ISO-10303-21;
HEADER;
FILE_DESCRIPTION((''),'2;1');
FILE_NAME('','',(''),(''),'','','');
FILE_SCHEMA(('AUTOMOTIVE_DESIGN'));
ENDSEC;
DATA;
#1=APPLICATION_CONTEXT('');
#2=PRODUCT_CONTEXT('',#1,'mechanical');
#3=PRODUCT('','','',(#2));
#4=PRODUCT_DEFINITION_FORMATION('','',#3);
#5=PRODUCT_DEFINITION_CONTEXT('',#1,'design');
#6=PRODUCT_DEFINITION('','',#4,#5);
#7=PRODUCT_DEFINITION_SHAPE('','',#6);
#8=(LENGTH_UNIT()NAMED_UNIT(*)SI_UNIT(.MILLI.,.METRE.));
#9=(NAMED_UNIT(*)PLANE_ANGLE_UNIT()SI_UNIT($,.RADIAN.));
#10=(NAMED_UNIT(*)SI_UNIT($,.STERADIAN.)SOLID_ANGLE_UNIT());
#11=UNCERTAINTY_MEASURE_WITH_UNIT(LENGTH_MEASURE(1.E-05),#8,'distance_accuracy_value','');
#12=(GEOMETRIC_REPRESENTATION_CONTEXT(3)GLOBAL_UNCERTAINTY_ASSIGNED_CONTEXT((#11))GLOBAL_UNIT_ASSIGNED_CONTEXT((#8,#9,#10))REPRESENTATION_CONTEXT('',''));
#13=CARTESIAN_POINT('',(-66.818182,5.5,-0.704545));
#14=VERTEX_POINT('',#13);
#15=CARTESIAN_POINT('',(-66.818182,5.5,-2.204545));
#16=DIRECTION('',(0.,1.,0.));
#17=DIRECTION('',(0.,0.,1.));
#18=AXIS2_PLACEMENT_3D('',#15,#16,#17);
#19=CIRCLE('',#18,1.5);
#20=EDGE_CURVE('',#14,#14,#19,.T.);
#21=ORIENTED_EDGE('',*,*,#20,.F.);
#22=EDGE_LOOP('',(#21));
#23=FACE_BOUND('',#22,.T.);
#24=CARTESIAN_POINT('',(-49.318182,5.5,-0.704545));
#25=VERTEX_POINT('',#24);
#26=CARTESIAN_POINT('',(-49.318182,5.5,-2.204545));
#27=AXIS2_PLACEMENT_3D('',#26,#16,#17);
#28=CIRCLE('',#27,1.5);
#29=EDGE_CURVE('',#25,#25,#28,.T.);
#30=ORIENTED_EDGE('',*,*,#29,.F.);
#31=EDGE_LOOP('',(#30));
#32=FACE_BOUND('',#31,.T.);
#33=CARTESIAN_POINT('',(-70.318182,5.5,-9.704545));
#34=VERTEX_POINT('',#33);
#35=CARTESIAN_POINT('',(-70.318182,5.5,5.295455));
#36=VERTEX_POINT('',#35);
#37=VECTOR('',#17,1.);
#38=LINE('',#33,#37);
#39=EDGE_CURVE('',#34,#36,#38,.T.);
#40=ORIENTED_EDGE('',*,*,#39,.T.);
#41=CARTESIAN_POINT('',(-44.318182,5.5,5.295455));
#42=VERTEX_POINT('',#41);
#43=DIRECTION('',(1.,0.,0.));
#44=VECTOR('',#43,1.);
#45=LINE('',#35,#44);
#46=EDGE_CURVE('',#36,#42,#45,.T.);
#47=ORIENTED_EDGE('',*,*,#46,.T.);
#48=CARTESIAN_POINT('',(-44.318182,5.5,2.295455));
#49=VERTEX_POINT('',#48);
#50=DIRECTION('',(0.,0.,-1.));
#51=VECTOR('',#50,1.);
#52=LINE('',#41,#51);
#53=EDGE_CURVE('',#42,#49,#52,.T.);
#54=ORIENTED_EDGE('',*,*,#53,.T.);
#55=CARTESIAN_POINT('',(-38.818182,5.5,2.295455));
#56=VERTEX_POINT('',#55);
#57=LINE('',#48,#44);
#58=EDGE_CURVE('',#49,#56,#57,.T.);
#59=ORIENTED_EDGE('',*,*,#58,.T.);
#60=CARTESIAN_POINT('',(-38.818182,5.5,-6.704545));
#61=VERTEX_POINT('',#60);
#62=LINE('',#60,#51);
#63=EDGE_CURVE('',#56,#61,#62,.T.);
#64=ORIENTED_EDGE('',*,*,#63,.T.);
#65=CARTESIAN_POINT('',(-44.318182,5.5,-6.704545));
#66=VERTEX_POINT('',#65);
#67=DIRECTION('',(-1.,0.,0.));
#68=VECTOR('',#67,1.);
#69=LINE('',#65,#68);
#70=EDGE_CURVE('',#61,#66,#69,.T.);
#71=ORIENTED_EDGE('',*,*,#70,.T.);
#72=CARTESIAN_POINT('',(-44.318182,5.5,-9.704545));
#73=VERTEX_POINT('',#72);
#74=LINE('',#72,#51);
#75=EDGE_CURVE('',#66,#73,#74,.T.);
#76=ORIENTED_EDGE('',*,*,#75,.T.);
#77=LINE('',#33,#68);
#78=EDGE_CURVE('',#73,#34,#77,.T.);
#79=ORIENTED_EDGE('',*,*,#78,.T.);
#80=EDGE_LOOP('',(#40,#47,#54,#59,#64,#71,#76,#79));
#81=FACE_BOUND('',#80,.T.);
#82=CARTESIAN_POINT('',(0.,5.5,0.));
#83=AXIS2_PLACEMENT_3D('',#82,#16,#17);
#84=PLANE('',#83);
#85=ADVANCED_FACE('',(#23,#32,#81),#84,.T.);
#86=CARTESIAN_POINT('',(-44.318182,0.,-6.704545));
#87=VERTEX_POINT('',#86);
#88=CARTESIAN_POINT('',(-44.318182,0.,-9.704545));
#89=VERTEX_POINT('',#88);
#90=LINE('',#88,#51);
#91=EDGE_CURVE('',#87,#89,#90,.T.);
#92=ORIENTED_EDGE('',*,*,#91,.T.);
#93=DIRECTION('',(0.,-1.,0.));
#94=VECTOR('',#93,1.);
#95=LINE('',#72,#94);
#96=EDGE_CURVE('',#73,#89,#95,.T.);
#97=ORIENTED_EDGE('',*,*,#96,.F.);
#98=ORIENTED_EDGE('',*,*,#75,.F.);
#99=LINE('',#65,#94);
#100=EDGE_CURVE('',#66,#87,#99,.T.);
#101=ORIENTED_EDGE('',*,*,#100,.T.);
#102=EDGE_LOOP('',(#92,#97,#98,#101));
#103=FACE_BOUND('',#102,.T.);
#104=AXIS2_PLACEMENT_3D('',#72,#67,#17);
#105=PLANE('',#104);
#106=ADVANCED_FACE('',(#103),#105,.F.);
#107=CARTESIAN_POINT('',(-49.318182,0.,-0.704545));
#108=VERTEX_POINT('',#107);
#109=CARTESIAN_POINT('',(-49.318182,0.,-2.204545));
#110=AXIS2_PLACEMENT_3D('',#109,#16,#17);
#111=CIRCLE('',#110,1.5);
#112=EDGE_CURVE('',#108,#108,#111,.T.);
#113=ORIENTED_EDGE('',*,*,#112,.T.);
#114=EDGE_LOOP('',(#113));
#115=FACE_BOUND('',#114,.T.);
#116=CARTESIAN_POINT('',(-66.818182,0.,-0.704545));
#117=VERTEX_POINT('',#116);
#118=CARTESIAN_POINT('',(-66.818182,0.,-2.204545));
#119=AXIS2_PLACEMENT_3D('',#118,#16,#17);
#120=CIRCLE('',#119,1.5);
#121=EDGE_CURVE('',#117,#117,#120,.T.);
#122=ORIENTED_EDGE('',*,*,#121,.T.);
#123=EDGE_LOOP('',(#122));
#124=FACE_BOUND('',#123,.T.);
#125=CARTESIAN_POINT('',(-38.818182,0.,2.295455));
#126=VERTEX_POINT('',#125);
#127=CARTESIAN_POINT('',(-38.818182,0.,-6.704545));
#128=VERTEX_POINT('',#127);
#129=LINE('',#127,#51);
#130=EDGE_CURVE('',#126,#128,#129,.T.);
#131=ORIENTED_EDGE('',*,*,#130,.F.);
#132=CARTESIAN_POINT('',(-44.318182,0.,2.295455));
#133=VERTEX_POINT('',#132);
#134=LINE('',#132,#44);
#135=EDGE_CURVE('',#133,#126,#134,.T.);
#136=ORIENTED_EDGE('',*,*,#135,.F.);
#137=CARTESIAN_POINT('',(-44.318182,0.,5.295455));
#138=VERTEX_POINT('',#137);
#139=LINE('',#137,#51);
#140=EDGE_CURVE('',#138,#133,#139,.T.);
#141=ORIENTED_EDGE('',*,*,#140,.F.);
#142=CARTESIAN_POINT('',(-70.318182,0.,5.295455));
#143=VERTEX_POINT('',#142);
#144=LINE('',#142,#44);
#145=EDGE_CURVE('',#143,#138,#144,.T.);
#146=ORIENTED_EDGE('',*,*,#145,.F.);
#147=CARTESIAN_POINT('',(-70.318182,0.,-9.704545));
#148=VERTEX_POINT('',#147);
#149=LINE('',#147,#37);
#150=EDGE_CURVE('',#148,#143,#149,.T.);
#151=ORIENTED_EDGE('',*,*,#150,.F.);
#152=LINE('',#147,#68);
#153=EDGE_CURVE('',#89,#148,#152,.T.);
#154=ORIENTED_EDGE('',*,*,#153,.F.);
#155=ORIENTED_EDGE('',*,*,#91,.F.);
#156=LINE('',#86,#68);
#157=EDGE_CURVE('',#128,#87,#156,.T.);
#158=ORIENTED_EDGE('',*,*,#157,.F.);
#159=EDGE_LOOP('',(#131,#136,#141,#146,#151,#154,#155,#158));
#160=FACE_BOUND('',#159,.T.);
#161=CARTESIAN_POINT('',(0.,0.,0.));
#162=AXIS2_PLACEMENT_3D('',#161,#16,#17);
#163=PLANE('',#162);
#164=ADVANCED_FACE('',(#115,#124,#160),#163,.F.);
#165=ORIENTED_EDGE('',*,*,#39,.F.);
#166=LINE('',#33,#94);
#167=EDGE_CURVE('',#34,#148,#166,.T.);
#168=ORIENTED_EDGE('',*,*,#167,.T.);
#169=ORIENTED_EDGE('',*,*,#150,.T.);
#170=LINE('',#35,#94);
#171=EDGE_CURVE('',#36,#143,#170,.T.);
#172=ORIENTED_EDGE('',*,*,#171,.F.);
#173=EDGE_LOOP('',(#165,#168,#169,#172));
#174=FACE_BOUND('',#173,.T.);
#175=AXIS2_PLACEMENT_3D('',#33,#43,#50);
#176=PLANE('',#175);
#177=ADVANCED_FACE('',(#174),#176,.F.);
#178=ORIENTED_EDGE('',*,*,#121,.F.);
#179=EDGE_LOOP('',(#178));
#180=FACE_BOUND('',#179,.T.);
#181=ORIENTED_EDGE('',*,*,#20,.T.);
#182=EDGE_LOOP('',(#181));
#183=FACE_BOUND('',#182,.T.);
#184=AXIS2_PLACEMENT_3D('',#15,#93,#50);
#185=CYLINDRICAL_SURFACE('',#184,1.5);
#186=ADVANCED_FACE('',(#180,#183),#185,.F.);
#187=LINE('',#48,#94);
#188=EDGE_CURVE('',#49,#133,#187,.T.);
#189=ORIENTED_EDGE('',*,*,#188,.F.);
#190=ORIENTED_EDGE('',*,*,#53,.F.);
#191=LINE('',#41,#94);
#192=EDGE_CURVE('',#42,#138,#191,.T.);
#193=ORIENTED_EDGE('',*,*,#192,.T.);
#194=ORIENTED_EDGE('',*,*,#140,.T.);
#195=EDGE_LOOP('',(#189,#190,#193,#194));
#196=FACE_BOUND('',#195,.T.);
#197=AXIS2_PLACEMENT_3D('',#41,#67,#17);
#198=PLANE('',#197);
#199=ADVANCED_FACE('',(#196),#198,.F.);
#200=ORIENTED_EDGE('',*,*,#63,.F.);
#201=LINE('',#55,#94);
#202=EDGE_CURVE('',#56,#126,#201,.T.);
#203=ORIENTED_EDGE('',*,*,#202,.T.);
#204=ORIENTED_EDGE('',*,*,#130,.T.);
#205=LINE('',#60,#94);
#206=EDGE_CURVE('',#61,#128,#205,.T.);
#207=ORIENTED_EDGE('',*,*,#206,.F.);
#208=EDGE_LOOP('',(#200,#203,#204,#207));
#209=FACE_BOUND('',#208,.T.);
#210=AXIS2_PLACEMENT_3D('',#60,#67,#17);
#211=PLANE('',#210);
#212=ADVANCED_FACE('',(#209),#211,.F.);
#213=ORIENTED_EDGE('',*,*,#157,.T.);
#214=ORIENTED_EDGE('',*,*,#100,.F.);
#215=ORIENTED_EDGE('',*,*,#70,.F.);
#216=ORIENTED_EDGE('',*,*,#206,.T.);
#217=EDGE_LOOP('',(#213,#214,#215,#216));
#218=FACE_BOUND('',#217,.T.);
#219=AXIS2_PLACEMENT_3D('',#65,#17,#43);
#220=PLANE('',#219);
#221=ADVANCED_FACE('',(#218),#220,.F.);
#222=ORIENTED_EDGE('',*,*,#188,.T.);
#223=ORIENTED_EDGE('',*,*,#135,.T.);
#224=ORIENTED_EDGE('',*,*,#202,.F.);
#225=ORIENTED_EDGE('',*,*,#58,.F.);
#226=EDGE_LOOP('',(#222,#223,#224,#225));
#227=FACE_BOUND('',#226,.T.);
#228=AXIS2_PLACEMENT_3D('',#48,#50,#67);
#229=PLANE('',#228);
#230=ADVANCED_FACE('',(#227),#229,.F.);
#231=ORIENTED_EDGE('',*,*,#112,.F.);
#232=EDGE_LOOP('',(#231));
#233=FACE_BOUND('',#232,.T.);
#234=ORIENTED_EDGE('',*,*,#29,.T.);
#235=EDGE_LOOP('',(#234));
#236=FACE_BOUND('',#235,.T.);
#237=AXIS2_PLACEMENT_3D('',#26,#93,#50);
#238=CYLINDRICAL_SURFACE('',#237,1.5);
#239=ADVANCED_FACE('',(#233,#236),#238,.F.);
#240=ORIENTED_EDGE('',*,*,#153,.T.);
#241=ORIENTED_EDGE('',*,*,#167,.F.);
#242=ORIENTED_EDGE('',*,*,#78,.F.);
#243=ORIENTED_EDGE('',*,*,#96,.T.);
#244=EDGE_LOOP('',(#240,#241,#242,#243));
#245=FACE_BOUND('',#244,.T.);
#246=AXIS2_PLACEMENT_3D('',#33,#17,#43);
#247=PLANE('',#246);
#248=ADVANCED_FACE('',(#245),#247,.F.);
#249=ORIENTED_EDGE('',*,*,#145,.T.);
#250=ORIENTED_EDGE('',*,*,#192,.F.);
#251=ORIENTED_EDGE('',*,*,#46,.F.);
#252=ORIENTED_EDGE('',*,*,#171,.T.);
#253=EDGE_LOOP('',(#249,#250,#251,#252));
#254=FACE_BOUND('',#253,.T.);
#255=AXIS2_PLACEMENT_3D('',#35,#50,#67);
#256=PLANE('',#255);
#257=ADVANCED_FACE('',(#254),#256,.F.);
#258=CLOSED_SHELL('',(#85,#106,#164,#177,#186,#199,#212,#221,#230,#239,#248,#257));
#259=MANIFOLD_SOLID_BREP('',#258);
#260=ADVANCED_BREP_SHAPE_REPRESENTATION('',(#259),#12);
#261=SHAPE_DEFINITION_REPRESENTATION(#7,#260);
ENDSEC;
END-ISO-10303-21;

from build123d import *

# Parameters (mm, degrees)
CROQUIS1_R              = 1.5
SALIENTE_EXTRUIR1_DEPTH = 5.5


with BuildPart() as part:
    # Croquis1 → Saliente-Extruir1 (new body)
    with BuildSketch(Plane(origin=(0, 0, 0), x_dir=(1, 0, 0), z_dir=(0, 1, 0))):
        Polygon((-70.318181818, 9.704545455), (-44.318181818, 9.704545455), (-44.318181818, 6.704545455), (-38.818181818, 6.704545455), (-38.818181818, -2.295454545), (-44.318181818, -2.295454545), (-44.318181818, -5.295454545), (-70.318181818, -5.295454545), align=None)
        with Locations(Location((-66.818181818, 2.204545455, 0), (0, 0, 270))):
            Circle(CROQUIS1_R, mode=Mode.SUBTRACT)
        with Locations(Location((-49.318181818, 2.204545455, 0), (0, 0, 270))):
            Circle(CROQUIS1_R, mode=Mode.SUBTRACT)
    extrude(amount=SALIENTE_EXTRUIR1_DEPTH)


solid = part.part
